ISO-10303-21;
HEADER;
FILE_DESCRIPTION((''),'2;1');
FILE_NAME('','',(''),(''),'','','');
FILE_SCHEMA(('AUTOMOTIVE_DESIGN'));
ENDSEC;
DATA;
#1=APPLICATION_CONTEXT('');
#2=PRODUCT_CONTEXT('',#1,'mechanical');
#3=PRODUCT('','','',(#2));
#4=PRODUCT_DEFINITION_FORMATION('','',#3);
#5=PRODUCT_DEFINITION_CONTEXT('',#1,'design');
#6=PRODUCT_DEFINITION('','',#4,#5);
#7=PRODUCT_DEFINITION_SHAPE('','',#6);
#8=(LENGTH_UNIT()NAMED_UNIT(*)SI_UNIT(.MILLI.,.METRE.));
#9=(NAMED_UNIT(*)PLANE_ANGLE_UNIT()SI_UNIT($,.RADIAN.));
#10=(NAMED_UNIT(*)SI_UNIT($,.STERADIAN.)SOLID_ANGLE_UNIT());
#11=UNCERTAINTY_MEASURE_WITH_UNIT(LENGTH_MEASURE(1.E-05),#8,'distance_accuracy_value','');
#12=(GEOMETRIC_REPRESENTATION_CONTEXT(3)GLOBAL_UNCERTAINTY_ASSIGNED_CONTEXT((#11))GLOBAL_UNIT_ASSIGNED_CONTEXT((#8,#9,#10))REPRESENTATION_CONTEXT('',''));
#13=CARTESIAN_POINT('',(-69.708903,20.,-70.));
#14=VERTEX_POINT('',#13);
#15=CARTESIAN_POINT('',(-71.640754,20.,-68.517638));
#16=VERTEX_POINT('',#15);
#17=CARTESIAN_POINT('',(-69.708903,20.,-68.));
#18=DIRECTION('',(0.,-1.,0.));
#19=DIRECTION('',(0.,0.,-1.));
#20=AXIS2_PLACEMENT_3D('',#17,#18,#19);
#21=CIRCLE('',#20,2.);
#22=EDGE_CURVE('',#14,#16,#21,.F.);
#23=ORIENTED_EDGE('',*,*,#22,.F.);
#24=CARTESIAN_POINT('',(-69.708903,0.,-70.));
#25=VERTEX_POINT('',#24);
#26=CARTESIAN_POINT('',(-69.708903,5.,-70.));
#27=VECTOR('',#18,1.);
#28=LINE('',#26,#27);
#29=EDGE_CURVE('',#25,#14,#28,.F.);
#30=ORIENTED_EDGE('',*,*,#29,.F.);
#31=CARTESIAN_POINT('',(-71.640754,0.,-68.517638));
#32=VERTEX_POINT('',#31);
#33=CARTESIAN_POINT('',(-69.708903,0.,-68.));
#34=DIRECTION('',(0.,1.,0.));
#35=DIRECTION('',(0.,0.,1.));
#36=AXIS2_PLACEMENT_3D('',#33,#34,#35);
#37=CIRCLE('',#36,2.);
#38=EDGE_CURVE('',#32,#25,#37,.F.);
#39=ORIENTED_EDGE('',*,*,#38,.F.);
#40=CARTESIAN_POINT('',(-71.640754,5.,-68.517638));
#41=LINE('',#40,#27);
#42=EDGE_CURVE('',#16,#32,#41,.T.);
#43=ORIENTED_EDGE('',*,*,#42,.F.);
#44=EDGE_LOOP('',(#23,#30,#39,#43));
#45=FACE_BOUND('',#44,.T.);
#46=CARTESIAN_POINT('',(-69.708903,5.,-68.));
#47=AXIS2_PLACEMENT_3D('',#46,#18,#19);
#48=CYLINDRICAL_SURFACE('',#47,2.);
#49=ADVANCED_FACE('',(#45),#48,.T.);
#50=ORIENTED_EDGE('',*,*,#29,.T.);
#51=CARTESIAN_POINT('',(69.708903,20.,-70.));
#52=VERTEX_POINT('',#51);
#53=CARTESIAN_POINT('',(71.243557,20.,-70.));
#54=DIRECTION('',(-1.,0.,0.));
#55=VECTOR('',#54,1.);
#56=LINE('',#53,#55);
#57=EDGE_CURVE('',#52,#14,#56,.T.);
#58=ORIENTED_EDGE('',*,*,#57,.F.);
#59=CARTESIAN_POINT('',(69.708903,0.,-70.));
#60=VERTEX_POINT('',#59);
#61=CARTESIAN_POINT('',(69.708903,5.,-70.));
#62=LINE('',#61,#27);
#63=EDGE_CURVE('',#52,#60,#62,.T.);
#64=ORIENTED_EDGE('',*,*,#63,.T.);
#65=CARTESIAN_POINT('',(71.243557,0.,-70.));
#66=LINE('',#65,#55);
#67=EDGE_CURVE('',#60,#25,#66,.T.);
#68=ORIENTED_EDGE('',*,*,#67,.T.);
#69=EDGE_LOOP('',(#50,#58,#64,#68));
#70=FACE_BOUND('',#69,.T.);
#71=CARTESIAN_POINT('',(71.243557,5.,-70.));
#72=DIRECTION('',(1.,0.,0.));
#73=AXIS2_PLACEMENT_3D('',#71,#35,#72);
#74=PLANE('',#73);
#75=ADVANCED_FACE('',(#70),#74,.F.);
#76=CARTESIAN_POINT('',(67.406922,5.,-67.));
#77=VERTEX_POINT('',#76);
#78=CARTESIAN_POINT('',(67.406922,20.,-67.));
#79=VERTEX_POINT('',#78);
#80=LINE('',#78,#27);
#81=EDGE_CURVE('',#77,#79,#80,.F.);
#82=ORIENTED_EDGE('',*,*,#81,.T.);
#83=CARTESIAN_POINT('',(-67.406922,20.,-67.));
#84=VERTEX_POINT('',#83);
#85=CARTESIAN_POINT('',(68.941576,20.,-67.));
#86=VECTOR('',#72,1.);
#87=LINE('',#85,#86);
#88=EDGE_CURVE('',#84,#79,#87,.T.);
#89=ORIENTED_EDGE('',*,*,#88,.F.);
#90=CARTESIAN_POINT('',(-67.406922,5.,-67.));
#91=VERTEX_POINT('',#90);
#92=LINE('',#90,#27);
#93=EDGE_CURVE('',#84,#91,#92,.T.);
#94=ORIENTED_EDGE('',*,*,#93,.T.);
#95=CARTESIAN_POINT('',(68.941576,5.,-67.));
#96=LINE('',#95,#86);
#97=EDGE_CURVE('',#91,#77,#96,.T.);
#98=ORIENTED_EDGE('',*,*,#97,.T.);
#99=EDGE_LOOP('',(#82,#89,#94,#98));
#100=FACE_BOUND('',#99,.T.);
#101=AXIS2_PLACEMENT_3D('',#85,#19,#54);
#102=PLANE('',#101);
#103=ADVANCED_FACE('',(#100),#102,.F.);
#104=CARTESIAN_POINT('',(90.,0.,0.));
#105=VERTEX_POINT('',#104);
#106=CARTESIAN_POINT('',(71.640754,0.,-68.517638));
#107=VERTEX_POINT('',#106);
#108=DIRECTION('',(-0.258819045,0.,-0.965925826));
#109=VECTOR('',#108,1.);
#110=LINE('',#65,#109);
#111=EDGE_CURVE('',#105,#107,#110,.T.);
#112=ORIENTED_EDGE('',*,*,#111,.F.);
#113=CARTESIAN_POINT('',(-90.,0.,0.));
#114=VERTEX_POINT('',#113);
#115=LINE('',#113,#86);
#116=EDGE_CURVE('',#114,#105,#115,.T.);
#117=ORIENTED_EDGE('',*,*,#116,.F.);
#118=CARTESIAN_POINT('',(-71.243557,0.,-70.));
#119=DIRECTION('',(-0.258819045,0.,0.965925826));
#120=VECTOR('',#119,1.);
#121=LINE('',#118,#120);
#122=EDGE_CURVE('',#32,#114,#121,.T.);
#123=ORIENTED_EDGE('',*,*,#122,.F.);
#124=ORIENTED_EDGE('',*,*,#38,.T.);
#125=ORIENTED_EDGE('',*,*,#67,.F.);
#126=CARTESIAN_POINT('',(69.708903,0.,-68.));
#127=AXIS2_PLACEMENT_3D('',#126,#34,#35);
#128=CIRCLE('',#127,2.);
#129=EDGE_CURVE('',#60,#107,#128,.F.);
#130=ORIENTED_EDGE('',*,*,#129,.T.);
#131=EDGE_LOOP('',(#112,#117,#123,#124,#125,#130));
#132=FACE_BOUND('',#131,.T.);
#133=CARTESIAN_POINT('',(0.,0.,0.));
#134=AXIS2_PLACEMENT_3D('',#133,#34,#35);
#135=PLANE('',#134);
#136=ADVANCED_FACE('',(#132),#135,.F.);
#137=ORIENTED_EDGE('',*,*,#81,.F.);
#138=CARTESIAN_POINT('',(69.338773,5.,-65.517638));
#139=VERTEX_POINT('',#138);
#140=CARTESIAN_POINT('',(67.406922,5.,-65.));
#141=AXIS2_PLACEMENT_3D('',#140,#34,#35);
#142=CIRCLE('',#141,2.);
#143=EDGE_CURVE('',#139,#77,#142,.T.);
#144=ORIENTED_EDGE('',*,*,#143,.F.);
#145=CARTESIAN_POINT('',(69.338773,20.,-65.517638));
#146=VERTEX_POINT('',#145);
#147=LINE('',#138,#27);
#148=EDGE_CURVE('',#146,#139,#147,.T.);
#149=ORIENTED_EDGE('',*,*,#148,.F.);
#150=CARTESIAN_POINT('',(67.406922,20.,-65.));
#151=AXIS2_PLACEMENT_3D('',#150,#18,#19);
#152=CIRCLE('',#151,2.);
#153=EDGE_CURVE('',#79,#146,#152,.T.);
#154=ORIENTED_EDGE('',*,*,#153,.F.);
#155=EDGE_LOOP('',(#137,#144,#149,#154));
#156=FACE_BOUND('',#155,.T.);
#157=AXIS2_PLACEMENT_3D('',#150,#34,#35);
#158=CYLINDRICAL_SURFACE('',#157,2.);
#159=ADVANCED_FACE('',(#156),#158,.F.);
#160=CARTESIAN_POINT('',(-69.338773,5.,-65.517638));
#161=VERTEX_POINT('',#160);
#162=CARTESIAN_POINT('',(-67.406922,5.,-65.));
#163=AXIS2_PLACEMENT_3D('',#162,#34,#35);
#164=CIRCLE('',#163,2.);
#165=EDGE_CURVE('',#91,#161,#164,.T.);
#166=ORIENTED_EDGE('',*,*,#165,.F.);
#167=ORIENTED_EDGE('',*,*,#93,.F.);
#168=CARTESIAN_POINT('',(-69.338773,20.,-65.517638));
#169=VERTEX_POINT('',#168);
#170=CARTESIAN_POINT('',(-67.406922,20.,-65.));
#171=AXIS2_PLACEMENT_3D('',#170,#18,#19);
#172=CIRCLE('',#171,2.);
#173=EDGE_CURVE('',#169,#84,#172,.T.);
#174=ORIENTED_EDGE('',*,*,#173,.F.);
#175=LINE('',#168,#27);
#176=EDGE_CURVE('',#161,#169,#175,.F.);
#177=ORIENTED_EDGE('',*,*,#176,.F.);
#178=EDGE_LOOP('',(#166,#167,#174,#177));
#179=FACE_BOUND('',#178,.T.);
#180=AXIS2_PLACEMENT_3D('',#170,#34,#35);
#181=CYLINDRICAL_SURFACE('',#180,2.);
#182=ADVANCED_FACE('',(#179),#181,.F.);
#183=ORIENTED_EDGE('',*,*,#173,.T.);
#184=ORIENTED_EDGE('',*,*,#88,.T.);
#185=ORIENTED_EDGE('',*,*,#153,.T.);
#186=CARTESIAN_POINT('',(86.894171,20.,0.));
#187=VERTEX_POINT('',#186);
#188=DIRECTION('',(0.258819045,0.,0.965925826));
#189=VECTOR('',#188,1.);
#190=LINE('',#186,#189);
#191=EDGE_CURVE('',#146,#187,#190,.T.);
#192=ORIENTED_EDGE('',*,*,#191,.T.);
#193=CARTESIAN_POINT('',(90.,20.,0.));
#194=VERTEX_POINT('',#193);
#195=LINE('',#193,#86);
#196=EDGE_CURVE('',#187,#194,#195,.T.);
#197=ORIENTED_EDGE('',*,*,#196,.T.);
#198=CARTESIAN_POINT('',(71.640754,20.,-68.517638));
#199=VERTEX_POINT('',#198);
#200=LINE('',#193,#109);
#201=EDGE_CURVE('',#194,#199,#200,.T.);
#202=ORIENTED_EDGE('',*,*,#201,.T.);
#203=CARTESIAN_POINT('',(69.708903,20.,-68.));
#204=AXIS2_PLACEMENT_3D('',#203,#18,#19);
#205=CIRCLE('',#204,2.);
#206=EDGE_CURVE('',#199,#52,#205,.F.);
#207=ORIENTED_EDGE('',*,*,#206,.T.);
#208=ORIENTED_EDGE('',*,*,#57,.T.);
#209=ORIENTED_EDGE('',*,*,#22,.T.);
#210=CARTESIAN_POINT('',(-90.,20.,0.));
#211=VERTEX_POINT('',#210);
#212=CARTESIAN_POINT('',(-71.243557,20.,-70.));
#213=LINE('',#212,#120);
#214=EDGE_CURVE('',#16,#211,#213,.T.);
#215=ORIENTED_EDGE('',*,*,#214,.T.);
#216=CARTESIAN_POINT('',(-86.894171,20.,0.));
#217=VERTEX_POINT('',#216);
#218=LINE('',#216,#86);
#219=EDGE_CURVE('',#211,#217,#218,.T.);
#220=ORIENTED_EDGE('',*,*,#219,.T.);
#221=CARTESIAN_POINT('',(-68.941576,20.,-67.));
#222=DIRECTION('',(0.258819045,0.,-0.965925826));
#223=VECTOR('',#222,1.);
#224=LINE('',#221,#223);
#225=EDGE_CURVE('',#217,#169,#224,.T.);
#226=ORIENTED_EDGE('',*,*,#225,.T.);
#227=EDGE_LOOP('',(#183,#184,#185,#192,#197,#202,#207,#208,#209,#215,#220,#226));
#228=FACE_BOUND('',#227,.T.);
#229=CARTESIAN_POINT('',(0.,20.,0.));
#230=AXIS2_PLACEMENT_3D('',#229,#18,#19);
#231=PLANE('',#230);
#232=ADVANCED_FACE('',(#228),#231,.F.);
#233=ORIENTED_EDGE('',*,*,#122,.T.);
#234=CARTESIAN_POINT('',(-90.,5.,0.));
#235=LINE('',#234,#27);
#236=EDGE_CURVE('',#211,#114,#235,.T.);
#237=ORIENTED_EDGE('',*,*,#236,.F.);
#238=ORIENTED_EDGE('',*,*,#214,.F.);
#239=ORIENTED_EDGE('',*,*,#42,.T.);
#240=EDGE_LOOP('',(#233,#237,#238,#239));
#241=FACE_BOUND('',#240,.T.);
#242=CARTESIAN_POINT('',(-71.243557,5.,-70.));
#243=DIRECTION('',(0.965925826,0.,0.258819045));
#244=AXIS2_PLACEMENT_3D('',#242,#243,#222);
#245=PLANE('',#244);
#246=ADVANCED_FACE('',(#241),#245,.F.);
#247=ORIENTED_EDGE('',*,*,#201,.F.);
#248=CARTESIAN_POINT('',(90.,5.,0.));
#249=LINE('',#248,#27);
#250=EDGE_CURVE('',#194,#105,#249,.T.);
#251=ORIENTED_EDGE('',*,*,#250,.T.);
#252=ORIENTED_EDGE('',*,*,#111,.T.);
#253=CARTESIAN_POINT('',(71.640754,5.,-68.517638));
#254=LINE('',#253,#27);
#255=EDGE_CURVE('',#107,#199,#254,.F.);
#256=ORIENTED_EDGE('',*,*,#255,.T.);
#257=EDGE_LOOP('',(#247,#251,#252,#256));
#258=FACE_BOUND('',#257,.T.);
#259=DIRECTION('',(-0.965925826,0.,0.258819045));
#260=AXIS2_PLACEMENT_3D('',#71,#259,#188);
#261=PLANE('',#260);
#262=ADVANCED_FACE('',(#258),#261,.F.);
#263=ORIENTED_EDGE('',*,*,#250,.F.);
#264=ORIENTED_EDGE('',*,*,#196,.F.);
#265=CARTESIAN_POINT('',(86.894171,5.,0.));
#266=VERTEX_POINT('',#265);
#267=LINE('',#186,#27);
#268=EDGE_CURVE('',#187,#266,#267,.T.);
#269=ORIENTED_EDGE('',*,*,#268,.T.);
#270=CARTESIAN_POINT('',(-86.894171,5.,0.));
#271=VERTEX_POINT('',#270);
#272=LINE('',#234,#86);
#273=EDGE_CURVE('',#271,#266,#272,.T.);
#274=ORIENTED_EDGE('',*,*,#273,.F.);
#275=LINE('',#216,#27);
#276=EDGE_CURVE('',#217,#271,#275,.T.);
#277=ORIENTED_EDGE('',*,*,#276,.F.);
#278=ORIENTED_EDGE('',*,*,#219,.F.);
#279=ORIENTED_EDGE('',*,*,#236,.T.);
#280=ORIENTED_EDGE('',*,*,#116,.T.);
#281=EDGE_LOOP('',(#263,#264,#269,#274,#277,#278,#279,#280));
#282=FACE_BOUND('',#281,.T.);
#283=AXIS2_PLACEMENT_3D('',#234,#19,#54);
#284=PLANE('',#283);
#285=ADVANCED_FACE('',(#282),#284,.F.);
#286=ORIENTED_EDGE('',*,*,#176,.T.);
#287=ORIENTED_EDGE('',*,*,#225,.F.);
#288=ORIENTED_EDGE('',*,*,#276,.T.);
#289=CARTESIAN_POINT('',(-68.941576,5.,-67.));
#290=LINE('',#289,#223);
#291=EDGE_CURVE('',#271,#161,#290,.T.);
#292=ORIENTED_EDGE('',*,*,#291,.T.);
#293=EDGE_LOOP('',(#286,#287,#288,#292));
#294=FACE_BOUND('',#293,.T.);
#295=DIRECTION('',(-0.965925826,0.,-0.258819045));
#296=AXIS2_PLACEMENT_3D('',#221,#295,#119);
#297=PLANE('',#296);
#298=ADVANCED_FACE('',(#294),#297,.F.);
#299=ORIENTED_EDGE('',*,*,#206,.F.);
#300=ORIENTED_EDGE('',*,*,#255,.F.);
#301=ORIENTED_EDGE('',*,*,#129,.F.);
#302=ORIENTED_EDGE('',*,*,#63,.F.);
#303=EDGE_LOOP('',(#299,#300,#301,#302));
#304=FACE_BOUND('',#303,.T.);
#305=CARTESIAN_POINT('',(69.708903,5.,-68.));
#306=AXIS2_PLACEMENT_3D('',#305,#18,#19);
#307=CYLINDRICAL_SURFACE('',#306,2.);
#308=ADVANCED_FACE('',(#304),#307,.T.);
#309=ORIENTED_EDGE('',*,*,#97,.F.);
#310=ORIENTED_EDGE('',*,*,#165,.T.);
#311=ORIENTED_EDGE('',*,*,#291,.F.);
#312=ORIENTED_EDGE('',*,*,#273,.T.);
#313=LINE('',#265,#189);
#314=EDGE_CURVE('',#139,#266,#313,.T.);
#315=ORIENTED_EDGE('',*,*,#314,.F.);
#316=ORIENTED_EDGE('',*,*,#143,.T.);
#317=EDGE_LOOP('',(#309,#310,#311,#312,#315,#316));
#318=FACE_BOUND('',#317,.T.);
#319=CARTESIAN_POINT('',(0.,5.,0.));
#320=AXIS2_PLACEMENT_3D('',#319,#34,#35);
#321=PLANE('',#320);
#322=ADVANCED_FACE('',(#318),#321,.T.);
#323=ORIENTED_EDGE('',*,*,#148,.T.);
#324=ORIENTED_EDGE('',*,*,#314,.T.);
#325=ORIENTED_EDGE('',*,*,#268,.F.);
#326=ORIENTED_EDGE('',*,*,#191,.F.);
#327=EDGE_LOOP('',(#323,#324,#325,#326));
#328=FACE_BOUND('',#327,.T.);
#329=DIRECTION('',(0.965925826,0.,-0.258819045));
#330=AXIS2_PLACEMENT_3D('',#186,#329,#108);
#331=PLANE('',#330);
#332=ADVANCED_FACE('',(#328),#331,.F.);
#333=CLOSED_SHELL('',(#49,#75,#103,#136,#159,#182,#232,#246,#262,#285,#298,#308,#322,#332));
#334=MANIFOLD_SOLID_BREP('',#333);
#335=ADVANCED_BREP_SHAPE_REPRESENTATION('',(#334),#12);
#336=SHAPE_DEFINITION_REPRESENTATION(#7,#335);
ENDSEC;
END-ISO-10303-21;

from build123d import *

# Parameters (mm, degrees)
BOSS_EXTRUDE1_DEPTH = 5
BOSS_EXTRUDE2_DEPTH = 15
FILLET1_R           = 2


with BuildPart() as part:
    # Sketch1 → Boss-Extrude1 (new body)
    with BuildSketch(Plane(origin=(0, 0, 0), x_dir=(1, 0, 0), z_dir=(0, 1, 0))):
        Polygon((71.24355653, 70), (-71.24355653, 70), (-90, 0), (90, 0), align=None)
    extrude(amount=BOSS_EXTRUDE1_DEPTH)

    # Sketch2 → Boss-Extrude2 (add)
    with BuildSketch(Plane(origin=(0, 5, 0), x_dir=(1, 0, 0), z_dir=(0, 1, 0))):
        Polygon((68.941575566, 67), (-68.941575566, 67), (-86.894171459, 0), (-90, 0), (-71.24355653, 70), (71.24355653, 70), (90, 0), (86.894171459, 0), align=None)
    extrude(amount=BOSS_EXTRUDE2_DEPTH)

    # Fillet1
    fillet1_edges = [part.edges().sort_by_distance(p)[0] for p in [
        (-68.941575566, 12.5, -67),
        (68.941575566, 12.5, -67),
        (-71.24355653, 10, -70),
        (71.24355653, 10, -70),
    ]]
    fillet(fillet1_edges, radius=FILLET1_R)


solid = part.part
